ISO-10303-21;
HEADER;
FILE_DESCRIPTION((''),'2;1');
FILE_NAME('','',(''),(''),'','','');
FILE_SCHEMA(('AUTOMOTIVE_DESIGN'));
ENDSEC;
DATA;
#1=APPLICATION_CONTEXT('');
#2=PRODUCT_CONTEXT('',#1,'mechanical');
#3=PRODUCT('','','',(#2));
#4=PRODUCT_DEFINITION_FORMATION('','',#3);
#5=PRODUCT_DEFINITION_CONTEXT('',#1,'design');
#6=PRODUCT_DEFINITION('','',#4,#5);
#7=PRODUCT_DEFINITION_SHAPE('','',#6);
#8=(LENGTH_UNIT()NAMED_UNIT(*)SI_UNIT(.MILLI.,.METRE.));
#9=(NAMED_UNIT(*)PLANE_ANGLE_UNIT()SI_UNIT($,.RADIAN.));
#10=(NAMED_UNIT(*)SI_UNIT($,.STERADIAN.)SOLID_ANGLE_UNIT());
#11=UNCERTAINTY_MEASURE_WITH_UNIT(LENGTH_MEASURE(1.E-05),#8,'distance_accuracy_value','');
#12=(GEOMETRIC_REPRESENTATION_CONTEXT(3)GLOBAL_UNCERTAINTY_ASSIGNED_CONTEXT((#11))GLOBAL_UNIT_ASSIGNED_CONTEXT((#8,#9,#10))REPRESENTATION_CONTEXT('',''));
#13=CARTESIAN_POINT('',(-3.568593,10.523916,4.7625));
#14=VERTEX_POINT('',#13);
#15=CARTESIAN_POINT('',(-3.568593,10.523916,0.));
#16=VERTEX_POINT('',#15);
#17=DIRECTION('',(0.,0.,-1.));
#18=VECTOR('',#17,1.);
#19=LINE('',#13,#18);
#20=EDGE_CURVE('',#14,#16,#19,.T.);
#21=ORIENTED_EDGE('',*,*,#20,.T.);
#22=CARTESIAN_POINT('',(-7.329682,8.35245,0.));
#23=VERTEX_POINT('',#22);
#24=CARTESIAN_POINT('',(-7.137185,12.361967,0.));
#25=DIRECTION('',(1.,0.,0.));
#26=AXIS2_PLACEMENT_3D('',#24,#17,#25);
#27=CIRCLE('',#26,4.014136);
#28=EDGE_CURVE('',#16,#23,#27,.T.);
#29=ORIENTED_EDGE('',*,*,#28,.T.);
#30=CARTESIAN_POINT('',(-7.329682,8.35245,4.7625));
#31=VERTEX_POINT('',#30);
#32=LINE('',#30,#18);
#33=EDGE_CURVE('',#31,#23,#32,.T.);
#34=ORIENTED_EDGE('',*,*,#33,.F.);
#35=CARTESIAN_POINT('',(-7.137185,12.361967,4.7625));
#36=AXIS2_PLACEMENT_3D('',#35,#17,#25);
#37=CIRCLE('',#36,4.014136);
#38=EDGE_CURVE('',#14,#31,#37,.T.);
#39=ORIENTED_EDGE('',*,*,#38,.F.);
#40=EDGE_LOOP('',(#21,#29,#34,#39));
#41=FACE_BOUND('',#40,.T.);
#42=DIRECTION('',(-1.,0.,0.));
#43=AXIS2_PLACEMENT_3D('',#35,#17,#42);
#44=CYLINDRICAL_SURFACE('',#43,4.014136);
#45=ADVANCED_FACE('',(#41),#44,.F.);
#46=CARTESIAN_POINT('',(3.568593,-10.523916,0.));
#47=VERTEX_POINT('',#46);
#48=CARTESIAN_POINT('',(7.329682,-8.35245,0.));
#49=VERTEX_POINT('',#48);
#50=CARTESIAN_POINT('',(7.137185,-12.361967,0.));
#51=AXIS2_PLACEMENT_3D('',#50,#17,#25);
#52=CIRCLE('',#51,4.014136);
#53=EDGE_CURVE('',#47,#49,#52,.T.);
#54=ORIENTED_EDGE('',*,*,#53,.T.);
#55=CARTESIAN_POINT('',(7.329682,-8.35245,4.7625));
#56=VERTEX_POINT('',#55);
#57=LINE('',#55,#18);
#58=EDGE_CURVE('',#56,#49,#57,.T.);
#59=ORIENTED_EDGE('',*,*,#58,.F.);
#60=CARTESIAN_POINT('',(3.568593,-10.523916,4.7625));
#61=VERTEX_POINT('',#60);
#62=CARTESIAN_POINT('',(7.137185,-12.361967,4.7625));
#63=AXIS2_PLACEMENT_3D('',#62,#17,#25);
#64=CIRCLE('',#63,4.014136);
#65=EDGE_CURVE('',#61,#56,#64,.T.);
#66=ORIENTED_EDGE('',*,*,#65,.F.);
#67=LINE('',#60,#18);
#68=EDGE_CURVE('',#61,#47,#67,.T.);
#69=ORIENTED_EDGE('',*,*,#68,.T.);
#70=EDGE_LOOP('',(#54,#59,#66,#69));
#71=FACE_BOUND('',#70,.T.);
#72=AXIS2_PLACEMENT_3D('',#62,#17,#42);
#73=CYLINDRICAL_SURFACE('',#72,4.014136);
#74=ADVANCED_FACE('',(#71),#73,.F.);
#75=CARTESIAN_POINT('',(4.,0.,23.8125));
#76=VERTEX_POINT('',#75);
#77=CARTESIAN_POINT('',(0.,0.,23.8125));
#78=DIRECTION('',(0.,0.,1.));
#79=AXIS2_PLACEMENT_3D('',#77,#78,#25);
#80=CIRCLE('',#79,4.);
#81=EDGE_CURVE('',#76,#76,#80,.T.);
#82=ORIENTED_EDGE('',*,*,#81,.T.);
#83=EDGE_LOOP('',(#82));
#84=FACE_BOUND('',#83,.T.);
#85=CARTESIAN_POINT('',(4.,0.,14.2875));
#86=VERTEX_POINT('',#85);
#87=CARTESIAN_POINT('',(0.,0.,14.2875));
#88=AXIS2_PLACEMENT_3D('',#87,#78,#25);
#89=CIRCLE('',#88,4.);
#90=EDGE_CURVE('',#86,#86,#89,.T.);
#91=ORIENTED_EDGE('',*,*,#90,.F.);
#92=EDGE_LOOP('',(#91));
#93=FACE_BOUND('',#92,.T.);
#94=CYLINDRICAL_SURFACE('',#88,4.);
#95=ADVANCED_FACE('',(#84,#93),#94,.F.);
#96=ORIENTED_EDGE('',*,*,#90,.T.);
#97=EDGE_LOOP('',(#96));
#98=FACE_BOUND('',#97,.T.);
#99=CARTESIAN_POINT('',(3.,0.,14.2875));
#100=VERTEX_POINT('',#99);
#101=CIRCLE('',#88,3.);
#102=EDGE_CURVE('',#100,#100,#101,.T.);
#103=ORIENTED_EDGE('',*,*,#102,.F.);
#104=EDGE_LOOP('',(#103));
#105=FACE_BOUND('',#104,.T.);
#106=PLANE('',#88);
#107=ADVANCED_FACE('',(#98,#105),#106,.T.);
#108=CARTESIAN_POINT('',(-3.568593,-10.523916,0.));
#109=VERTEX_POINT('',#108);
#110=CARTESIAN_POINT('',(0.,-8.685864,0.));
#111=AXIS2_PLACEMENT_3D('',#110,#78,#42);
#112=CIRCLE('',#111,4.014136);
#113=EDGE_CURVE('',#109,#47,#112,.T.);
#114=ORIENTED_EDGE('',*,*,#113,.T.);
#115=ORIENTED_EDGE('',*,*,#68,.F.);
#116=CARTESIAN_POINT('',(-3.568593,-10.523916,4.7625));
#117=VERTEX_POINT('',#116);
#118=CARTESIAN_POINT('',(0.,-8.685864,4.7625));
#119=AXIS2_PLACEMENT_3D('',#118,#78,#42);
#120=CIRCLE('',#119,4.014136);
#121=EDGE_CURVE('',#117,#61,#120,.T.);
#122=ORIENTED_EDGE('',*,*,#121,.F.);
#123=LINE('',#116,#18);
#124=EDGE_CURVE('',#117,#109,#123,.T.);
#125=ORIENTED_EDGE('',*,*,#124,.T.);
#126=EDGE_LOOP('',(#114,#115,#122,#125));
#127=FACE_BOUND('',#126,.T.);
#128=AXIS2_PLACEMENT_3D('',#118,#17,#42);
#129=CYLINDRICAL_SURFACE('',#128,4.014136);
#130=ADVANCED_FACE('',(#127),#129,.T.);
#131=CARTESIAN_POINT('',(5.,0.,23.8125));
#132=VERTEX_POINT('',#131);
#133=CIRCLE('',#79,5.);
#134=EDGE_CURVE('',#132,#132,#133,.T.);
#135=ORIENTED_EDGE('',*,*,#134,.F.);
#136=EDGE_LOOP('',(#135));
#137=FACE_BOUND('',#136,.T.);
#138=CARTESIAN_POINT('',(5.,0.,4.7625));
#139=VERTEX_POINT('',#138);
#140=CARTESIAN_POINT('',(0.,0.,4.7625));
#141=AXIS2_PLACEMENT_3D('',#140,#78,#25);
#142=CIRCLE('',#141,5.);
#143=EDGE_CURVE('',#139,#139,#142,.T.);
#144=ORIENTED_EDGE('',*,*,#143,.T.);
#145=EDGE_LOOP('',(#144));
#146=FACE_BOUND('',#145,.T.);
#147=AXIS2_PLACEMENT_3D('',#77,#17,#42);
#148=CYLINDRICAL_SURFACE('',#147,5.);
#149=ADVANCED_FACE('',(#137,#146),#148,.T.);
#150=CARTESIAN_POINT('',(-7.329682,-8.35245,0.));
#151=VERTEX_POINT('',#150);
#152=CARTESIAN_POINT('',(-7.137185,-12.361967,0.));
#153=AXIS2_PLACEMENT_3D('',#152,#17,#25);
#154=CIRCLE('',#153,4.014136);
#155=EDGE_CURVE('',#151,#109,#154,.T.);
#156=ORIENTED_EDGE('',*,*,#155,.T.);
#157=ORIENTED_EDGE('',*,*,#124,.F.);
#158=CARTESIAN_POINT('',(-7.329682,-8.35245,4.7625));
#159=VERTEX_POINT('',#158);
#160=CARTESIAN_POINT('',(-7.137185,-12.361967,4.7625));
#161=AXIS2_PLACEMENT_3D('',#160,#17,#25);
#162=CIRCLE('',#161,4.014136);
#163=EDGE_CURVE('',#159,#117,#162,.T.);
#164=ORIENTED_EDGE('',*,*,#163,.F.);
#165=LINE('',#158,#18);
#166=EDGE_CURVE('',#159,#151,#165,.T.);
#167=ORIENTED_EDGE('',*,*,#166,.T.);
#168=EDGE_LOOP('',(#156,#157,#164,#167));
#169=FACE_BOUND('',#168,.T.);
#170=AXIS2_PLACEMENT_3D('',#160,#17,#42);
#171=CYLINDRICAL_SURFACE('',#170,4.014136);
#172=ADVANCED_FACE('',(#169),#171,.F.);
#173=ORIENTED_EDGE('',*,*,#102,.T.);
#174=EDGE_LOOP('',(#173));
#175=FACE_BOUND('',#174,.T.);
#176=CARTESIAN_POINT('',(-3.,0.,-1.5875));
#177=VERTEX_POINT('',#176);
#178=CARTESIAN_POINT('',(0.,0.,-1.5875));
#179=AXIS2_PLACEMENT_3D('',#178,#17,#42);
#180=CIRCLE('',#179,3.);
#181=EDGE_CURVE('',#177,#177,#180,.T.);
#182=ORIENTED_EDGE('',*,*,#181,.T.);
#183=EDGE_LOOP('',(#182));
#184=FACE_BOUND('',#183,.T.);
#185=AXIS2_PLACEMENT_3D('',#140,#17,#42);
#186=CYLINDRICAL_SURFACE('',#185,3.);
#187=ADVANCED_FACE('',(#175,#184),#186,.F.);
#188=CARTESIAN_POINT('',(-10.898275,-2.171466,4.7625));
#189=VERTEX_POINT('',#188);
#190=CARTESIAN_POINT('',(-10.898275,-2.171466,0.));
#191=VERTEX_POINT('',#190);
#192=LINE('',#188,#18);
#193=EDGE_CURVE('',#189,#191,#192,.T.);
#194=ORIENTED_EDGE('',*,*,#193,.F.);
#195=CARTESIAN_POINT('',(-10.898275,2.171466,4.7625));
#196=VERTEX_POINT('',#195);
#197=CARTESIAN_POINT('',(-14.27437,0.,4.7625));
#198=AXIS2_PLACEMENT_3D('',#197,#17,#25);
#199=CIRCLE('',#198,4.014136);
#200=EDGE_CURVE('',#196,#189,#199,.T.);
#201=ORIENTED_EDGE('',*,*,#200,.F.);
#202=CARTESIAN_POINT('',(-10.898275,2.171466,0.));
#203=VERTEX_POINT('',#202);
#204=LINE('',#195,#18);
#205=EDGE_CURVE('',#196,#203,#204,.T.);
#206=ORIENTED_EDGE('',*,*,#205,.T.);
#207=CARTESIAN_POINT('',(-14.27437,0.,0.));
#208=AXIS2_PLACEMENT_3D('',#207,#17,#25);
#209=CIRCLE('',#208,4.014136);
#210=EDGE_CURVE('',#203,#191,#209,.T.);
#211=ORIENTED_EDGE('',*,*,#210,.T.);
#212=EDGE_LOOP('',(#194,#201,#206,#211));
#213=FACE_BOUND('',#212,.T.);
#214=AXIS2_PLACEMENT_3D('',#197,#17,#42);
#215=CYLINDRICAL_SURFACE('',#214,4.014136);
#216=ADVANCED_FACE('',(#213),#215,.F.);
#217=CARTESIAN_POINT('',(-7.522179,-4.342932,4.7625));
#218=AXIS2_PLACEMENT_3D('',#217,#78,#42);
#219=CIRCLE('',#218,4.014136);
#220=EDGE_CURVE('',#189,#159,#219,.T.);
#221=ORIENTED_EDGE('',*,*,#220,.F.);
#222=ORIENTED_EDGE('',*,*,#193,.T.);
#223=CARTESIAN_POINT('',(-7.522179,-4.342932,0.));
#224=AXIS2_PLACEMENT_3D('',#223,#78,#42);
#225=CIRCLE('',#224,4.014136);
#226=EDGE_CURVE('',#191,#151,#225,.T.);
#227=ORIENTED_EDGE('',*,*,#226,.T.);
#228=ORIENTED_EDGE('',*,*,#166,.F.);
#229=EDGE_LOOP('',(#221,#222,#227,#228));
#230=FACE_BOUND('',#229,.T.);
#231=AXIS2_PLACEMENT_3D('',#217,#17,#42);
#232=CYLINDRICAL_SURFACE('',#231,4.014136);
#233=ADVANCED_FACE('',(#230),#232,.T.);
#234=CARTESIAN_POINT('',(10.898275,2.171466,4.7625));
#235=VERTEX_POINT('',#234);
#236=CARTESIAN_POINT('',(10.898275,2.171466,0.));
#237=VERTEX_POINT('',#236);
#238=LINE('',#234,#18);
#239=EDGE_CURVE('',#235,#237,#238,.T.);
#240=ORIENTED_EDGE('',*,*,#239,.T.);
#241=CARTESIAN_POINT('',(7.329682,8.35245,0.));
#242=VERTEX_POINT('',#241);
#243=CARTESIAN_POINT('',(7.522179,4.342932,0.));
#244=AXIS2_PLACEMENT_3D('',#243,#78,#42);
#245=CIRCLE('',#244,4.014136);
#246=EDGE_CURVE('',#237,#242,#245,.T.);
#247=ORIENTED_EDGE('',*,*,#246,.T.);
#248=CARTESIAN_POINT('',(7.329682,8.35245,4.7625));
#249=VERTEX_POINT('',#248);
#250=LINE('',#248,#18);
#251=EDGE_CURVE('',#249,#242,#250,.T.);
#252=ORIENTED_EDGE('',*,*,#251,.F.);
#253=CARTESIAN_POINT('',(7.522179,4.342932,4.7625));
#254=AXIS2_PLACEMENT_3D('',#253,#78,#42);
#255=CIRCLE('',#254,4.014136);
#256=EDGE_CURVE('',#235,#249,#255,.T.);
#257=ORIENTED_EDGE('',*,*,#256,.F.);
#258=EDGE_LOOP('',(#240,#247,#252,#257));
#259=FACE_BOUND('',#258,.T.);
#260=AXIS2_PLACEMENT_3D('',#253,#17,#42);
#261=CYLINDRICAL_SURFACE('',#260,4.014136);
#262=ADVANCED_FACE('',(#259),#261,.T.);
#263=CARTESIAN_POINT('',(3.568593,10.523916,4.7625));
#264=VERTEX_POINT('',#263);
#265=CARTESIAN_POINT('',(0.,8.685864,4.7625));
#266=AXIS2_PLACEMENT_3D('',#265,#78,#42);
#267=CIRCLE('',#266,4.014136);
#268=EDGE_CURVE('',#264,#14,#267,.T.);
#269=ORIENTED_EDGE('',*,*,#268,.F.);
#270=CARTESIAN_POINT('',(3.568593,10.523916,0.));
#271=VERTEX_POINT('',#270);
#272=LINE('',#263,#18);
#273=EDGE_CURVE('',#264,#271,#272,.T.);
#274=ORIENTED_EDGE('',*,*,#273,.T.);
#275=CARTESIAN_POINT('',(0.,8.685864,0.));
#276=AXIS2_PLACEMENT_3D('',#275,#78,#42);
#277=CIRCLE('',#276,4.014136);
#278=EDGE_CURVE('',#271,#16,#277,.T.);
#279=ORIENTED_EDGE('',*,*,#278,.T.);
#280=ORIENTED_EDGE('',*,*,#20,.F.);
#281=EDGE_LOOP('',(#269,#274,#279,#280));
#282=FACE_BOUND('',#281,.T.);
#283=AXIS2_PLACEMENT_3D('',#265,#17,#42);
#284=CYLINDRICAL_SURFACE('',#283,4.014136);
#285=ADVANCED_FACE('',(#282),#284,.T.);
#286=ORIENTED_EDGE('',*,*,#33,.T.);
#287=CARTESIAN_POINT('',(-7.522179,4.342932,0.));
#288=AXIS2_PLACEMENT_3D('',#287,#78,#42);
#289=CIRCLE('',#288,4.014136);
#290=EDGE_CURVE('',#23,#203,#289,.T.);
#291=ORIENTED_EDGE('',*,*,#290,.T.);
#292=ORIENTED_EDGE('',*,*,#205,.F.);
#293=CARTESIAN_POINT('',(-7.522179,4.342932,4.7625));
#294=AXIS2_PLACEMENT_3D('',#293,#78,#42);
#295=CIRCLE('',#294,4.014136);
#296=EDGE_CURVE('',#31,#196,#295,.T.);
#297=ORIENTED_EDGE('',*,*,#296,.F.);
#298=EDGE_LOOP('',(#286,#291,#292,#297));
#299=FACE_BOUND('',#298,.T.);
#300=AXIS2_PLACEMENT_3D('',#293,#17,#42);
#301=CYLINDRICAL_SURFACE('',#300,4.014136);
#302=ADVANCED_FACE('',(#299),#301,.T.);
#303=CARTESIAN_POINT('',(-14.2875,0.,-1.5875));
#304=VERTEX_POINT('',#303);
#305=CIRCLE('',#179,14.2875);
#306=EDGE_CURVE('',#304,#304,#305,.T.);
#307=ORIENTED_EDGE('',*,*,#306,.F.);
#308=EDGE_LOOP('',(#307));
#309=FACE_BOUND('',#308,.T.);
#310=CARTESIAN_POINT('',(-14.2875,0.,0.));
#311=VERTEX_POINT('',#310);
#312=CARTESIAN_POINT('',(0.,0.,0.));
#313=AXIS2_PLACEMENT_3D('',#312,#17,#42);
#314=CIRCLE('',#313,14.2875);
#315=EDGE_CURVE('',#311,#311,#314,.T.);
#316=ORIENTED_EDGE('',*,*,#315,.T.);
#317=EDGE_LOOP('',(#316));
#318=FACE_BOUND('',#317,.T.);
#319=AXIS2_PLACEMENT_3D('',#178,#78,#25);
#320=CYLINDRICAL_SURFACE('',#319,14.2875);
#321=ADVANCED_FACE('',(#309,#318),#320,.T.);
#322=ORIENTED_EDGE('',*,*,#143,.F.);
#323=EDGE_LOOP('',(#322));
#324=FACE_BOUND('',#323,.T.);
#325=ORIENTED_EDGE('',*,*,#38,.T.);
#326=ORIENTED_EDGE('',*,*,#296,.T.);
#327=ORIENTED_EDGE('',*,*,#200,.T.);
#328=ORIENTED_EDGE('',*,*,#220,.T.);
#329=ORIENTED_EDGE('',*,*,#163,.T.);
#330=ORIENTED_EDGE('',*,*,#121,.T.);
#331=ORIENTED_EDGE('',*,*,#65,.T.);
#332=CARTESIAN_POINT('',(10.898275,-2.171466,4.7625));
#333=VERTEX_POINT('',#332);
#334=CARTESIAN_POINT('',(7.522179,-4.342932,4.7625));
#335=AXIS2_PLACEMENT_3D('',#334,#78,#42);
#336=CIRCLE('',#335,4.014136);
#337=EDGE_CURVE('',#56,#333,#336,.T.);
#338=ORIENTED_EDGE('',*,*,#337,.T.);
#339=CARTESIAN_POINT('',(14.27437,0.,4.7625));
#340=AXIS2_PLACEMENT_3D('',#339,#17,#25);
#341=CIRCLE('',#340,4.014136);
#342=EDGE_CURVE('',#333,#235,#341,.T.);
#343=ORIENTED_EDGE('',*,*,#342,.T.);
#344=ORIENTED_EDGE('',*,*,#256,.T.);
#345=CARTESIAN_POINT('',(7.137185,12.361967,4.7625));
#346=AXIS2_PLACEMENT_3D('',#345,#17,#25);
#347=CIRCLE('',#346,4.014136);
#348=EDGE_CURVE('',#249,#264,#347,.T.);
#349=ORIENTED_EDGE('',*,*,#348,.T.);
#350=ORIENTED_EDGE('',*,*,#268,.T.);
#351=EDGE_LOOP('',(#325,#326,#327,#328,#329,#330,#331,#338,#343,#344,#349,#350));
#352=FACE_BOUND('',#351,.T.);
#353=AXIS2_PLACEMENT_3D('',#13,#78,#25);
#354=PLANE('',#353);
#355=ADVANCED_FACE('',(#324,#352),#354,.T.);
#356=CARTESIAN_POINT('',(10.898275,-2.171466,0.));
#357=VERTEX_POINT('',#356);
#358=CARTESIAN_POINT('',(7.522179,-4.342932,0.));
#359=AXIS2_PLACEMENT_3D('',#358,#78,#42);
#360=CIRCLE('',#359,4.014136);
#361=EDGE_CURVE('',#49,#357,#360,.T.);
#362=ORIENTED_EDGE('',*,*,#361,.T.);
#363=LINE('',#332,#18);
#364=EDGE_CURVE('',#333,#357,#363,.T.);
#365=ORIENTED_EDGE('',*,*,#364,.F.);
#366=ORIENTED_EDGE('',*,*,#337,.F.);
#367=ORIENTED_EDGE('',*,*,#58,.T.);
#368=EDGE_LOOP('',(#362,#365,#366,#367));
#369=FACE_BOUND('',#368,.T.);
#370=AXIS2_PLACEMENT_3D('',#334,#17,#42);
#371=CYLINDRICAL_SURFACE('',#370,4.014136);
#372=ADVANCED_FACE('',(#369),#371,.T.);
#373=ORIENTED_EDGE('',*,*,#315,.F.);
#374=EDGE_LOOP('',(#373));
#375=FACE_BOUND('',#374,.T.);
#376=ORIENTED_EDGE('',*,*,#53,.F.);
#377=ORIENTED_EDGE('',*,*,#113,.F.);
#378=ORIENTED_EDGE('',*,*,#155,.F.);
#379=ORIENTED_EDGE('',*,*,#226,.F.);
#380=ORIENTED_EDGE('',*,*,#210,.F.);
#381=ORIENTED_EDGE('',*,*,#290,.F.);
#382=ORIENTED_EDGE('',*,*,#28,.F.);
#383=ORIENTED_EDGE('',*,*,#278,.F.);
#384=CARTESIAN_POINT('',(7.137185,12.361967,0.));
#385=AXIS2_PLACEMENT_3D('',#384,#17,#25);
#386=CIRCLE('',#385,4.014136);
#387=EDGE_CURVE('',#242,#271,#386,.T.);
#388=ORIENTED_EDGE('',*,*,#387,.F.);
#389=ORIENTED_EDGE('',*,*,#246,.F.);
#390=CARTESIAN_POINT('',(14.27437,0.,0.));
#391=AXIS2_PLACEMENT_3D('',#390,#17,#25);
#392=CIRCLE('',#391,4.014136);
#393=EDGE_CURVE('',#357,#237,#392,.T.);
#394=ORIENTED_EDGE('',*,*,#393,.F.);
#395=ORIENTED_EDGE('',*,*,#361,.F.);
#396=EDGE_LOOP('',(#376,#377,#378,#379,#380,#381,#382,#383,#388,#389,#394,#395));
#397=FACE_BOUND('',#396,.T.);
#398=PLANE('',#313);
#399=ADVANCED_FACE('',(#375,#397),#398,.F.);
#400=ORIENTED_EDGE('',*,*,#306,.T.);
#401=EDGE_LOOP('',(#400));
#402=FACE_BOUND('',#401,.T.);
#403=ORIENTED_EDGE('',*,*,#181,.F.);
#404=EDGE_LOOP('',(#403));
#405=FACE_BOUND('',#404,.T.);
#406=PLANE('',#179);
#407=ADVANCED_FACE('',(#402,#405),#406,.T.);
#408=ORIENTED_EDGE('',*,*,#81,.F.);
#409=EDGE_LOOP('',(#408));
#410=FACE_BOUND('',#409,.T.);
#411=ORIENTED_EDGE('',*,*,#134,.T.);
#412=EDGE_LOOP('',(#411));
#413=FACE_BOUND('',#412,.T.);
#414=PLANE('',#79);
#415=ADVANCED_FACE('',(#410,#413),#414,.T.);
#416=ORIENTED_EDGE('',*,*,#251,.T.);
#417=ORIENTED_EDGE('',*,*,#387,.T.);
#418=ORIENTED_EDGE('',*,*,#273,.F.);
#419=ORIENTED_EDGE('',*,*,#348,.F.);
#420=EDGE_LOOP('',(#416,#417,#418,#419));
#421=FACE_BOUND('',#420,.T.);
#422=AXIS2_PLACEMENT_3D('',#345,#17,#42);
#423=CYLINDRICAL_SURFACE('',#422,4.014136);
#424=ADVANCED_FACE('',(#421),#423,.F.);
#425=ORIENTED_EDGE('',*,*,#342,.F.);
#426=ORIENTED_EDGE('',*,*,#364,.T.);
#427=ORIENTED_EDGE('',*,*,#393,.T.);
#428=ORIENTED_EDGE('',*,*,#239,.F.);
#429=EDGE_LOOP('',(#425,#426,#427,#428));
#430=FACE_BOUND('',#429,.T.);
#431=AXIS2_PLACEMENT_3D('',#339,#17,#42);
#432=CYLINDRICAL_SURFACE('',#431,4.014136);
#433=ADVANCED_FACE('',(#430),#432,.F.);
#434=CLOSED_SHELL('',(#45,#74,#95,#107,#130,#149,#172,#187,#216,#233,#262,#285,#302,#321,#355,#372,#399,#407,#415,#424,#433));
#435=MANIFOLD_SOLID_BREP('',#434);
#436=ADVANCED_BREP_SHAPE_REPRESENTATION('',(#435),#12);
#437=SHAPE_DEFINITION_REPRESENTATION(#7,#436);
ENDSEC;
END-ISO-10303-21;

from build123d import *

# Parameters (mm, degrees)
SKETCH1_R           = 3
BOSS_EXTRUDE1_DEPTH = 4.7625
SKETCH2_R           = 14.2875
SKETCH2_R_2         = 3
BOSS_EXTRUDE2_DEPTH = 1.5875
SKETCH3_R           = 5
SKETCH3_R_2         = 3
BOSS_EXTRUDE3_DEPTH = 19.05
SKETCH4_R           = 4
CUT_EXTRUDE1_DEPTH  = 9.525


with BuildPart() as part:
    # Sketch1 → Boss-Extrude1 (new body)
    with BuildSketch(Plane.XY):
        with BuildLine():
            ThreePointArc((-3.568592622, 10.523915761), (0, 12.7), (3.568592622, 10.523915761))
            ThreePointArc((3.568592622, 10.523915761), (5.130117272, 8.885623765), (7.329682086, 8.352449747))
            ThreePointArc((7.329682086, 8.352449747), (10.998522628, 6.35), (10.898274707, 2.171466014))
            ThreePointArc((10.898274707, 2.171466014), (10.260234545, 0), (10.898274707, -2.171466014))
            ThreePointArc((10.898274707, -2.171466014), (10.998522628, -6.35), (7.329682086, -8.352449747))
            ThreePointArc((7.329682086, -8.352449747), (5.130117272, -8.885623765), (3.568592622, -10.523915761))
            ThreePointArc((3.568592622, -10.523915761), (0, -12.7), (-3.568592622, -10.523915761))
            ThreePointArc((-3.568592622, -10.523915761), (-5.130117272, -8.885623765), (-7.329682086, -8.352449747))
            ThreePointArc((-7.329682086, -8.352449747), (-10.998522628, -6.35), (-10.898274707, -2.171466014))
            ThreePointArc((-10.898274707, -2.171466014), (-10.260234545, 0), (-10.898274707, 2.171466014))
            ThreePointArc((-10.898274707, 2.171466014), (-10.998522628, 6.35), (-7.329682086, 8.352449747))
            ThreePointArc((-7.329682086, 8.352449747), (-5.130117272, 8.885623765), (-3.568592622, 10.523915761))
        make_face()
        Circle(SKETCH1_R, mode=Mode.SUBTRACT)
    extrude(amount=BOSS_EXTRUDE1_DEPTH)

    # Sketch2 → Boss-Extrude2 (add)
    with BuildSketch(Plane(origin=(0, 0, 0), x_dir=(-1, 0, 0), z_dir=(0, 0, -1))):
        Circle(SKETCH2_R)
        Circle(SKETCH2_R_2, mode=Mode.SUBTRACT)
    extrude(amount=BOSS_EXTRUDE2_DEPTH)

    # Sketch3 → Boss-Extrude3 (add)
    with BuildSketch(Plane.XY.offset(4.7625)):
        Circle(SKETCH3_R)
        Circle(SKETCH3_R_2, mode=Mode.SUBTRACT)
    extrude(amount=BOSS_EXTRUDE3_DEPTH)

    # Sketch4 → Cut-Extrude1 (cut)
    with BuildSketch(Plane.XY.offset(23.8125)):
        Circle(SKETCH4_R)
    extrude(amount=-CUT_EXTRUDE1_DEPTH, mode=Mode.SUBTRACT)


solid = part.part
